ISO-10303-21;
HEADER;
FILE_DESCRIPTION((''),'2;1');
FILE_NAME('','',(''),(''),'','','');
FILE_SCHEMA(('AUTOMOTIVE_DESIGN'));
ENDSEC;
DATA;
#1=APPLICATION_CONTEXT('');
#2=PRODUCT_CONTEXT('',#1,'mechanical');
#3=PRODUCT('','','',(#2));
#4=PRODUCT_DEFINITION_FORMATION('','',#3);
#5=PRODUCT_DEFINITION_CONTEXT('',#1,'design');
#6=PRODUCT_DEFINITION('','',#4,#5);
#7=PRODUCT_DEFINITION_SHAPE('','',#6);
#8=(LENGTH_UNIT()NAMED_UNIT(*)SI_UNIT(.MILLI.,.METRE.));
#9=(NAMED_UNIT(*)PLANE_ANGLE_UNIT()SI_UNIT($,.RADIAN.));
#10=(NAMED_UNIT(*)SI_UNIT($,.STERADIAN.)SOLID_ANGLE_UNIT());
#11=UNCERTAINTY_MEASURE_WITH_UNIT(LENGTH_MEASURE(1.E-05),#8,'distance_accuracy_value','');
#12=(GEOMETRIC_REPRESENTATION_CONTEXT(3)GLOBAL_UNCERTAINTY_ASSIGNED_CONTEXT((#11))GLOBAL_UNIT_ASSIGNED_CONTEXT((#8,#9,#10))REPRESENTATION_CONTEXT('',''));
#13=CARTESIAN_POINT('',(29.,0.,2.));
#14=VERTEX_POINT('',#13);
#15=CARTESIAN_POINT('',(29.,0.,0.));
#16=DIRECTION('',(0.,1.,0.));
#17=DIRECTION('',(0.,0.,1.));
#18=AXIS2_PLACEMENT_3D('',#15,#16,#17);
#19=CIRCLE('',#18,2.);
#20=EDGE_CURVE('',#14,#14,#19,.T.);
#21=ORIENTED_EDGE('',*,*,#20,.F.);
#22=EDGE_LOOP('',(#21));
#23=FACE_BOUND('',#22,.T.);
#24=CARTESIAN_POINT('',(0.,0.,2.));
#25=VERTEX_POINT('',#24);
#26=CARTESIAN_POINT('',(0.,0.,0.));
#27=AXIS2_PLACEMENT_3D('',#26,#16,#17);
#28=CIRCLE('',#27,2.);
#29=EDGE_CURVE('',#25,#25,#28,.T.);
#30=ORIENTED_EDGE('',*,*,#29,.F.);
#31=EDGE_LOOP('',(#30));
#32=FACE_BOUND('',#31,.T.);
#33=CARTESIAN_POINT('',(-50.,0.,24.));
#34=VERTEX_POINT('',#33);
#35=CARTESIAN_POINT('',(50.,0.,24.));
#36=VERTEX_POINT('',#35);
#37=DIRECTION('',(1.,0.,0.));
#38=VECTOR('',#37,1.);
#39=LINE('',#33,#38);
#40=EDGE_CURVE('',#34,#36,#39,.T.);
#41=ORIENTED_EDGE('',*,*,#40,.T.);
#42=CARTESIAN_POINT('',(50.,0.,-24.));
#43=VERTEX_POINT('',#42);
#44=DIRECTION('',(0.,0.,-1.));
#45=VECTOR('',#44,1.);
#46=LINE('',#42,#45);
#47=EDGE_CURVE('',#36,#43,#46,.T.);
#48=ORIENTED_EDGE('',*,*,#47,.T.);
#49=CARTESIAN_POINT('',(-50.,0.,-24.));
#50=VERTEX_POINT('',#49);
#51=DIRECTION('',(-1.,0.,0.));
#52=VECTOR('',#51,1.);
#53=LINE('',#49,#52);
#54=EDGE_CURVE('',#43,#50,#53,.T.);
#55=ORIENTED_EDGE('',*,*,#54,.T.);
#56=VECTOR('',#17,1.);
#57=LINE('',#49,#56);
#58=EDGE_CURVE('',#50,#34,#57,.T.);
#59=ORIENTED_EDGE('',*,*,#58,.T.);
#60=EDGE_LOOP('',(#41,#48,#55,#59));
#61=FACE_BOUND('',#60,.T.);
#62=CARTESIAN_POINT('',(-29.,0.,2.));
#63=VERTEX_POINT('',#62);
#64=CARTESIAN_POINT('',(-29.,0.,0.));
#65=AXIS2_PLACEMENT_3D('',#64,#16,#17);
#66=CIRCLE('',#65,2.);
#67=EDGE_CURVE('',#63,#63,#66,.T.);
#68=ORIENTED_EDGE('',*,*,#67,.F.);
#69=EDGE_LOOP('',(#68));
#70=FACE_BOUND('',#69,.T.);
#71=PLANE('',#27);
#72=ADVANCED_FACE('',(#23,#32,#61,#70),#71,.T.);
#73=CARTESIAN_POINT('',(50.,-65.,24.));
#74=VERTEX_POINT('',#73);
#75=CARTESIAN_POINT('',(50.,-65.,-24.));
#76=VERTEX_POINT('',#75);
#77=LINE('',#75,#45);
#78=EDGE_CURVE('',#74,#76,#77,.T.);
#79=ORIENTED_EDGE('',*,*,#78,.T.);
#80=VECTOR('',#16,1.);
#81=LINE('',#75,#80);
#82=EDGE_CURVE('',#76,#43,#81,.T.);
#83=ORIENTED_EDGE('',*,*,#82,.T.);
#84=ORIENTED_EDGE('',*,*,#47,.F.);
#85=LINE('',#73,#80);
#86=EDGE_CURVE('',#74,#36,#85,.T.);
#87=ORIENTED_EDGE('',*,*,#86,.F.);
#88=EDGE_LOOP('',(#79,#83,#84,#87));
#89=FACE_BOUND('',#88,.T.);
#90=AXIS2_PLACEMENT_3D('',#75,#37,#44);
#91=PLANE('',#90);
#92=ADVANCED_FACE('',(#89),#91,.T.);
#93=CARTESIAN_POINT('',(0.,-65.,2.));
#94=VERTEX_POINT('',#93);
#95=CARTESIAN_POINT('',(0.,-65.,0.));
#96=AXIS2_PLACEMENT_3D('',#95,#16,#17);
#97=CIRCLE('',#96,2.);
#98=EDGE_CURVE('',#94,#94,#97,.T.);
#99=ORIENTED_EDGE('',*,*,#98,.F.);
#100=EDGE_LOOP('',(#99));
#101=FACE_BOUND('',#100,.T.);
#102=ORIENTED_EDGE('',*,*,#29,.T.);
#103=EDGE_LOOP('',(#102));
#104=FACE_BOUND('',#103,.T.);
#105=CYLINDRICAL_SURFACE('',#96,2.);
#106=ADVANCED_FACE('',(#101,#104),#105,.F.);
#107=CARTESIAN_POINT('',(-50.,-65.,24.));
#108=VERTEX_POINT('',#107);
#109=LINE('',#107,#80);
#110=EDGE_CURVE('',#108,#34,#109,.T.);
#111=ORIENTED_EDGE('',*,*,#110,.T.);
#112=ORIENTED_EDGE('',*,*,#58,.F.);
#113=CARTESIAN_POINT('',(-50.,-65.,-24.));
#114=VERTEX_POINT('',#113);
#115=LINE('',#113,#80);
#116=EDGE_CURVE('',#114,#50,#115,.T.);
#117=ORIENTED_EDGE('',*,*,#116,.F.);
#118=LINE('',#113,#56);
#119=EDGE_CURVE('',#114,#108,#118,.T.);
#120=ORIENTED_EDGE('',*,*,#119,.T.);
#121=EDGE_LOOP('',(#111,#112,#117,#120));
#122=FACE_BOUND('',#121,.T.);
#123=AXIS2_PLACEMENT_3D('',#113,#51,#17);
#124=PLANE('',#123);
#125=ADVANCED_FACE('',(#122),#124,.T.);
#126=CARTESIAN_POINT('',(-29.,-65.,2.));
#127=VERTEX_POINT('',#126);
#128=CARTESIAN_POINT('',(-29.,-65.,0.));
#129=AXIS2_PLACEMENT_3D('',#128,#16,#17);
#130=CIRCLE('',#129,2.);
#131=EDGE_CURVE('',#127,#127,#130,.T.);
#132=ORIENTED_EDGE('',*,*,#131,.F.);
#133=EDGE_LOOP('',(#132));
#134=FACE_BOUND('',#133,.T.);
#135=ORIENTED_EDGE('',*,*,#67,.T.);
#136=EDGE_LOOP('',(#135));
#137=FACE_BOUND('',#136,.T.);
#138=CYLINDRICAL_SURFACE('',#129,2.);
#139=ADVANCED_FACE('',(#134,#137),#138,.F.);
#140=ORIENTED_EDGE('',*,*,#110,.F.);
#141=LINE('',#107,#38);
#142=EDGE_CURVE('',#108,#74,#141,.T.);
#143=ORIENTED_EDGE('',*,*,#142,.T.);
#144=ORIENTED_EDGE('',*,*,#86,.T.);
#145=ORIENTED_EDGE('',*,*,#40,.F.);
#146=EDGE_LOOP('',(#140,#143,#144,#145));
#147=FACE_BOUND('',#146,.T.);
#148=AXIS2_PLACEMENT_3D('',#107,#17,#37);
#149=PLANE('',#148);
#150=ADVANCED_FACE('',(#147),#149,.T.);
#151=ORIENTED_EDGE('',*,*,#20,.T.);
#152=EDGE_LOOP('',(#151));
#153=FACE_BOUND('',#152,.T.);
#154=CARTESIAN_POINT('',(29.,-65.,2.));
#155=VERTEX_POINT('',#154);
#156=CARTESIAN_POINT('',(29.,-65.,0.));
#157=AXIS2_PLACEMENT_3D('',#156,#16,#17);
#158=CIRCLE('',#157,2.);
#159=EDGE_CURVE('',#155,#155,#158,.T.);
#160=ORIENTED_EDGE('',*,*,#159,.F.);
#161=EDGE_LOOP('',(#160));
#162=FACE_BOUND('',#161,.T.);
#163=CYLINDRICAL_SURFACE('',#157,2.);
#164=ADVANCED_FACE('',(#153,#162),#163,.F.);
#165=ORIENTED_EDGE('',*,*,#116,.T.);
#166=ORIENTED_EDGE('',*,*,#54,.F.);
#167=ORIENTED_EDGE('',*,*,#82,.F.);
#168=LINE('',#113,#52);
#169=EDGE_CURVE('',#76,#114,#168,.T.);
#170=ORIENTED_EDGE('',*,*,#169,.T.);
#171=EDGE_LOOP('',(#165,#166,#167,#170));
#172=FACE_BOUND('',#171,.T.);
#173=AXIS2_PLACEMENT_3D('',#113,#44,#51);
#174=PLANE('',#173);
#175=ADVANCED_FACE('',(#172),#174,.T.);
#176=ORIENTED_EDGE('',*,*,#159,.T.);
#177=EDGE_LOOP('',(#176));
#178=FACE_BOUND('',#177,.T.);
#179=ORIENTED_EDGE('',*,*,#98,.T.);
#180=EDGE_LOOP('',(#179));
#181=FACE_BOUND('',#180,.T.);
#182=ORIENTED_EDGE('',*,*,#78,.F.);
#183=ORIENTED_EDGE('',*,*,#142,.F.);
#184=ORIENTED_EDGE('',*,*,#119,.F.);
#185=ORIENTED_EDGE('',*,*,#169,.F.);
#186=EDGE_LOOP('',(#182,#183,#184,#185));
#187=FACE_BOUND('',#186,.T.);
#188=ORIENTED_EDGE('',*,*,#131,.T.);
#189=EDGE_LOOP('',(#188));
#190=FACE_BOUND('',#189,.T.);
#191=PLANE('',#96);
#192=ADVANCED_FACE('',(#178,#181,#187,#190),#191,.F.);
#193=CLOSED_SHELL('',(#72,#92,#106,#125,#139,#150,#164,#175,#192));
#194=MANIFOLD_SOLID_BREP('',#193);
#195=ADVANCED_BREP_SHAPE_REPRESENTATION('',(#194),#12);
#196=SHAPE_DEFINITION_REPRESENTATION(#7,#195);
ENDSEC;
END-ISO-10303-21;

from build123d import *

# Parameters (mm, degrees)
SKETCH2_W           = 100
SKETCH2_H           = 48
SKETCH2_R           = 2
BOSS_EXTRUDE1_DEPTH = 65


with BuildPart() as part:
    # Sketch2 → Boss-Extrude1 (new body)
    with BuildSketch(Plane(origin=(0, 0, 0), x_dir=(1, 0, 0), z_dir=(0, 1, 0))):
        Rectangle(SKETCH2_W, SKETCH2_H)
        with Locations(Location((-29, 0, 0), (0, 0, 270))):
            Circle(SKETCH2_R, mode=Mode.SUBTRACT)
        with Locations(Location((0, 0, 0), (0, 0, 270))):
            Circle(SKETCH2_R, mode=Mode.SUBTRACT)
        with Locations(Location((29, 0, 0), (0, 0, 270))):
            Circle(SKETCH2_R, mode=Mode.SUBTRACT)
    extrude(amount=-BOSS_EXTRUDE1_DEPTH)


solid = part.part
